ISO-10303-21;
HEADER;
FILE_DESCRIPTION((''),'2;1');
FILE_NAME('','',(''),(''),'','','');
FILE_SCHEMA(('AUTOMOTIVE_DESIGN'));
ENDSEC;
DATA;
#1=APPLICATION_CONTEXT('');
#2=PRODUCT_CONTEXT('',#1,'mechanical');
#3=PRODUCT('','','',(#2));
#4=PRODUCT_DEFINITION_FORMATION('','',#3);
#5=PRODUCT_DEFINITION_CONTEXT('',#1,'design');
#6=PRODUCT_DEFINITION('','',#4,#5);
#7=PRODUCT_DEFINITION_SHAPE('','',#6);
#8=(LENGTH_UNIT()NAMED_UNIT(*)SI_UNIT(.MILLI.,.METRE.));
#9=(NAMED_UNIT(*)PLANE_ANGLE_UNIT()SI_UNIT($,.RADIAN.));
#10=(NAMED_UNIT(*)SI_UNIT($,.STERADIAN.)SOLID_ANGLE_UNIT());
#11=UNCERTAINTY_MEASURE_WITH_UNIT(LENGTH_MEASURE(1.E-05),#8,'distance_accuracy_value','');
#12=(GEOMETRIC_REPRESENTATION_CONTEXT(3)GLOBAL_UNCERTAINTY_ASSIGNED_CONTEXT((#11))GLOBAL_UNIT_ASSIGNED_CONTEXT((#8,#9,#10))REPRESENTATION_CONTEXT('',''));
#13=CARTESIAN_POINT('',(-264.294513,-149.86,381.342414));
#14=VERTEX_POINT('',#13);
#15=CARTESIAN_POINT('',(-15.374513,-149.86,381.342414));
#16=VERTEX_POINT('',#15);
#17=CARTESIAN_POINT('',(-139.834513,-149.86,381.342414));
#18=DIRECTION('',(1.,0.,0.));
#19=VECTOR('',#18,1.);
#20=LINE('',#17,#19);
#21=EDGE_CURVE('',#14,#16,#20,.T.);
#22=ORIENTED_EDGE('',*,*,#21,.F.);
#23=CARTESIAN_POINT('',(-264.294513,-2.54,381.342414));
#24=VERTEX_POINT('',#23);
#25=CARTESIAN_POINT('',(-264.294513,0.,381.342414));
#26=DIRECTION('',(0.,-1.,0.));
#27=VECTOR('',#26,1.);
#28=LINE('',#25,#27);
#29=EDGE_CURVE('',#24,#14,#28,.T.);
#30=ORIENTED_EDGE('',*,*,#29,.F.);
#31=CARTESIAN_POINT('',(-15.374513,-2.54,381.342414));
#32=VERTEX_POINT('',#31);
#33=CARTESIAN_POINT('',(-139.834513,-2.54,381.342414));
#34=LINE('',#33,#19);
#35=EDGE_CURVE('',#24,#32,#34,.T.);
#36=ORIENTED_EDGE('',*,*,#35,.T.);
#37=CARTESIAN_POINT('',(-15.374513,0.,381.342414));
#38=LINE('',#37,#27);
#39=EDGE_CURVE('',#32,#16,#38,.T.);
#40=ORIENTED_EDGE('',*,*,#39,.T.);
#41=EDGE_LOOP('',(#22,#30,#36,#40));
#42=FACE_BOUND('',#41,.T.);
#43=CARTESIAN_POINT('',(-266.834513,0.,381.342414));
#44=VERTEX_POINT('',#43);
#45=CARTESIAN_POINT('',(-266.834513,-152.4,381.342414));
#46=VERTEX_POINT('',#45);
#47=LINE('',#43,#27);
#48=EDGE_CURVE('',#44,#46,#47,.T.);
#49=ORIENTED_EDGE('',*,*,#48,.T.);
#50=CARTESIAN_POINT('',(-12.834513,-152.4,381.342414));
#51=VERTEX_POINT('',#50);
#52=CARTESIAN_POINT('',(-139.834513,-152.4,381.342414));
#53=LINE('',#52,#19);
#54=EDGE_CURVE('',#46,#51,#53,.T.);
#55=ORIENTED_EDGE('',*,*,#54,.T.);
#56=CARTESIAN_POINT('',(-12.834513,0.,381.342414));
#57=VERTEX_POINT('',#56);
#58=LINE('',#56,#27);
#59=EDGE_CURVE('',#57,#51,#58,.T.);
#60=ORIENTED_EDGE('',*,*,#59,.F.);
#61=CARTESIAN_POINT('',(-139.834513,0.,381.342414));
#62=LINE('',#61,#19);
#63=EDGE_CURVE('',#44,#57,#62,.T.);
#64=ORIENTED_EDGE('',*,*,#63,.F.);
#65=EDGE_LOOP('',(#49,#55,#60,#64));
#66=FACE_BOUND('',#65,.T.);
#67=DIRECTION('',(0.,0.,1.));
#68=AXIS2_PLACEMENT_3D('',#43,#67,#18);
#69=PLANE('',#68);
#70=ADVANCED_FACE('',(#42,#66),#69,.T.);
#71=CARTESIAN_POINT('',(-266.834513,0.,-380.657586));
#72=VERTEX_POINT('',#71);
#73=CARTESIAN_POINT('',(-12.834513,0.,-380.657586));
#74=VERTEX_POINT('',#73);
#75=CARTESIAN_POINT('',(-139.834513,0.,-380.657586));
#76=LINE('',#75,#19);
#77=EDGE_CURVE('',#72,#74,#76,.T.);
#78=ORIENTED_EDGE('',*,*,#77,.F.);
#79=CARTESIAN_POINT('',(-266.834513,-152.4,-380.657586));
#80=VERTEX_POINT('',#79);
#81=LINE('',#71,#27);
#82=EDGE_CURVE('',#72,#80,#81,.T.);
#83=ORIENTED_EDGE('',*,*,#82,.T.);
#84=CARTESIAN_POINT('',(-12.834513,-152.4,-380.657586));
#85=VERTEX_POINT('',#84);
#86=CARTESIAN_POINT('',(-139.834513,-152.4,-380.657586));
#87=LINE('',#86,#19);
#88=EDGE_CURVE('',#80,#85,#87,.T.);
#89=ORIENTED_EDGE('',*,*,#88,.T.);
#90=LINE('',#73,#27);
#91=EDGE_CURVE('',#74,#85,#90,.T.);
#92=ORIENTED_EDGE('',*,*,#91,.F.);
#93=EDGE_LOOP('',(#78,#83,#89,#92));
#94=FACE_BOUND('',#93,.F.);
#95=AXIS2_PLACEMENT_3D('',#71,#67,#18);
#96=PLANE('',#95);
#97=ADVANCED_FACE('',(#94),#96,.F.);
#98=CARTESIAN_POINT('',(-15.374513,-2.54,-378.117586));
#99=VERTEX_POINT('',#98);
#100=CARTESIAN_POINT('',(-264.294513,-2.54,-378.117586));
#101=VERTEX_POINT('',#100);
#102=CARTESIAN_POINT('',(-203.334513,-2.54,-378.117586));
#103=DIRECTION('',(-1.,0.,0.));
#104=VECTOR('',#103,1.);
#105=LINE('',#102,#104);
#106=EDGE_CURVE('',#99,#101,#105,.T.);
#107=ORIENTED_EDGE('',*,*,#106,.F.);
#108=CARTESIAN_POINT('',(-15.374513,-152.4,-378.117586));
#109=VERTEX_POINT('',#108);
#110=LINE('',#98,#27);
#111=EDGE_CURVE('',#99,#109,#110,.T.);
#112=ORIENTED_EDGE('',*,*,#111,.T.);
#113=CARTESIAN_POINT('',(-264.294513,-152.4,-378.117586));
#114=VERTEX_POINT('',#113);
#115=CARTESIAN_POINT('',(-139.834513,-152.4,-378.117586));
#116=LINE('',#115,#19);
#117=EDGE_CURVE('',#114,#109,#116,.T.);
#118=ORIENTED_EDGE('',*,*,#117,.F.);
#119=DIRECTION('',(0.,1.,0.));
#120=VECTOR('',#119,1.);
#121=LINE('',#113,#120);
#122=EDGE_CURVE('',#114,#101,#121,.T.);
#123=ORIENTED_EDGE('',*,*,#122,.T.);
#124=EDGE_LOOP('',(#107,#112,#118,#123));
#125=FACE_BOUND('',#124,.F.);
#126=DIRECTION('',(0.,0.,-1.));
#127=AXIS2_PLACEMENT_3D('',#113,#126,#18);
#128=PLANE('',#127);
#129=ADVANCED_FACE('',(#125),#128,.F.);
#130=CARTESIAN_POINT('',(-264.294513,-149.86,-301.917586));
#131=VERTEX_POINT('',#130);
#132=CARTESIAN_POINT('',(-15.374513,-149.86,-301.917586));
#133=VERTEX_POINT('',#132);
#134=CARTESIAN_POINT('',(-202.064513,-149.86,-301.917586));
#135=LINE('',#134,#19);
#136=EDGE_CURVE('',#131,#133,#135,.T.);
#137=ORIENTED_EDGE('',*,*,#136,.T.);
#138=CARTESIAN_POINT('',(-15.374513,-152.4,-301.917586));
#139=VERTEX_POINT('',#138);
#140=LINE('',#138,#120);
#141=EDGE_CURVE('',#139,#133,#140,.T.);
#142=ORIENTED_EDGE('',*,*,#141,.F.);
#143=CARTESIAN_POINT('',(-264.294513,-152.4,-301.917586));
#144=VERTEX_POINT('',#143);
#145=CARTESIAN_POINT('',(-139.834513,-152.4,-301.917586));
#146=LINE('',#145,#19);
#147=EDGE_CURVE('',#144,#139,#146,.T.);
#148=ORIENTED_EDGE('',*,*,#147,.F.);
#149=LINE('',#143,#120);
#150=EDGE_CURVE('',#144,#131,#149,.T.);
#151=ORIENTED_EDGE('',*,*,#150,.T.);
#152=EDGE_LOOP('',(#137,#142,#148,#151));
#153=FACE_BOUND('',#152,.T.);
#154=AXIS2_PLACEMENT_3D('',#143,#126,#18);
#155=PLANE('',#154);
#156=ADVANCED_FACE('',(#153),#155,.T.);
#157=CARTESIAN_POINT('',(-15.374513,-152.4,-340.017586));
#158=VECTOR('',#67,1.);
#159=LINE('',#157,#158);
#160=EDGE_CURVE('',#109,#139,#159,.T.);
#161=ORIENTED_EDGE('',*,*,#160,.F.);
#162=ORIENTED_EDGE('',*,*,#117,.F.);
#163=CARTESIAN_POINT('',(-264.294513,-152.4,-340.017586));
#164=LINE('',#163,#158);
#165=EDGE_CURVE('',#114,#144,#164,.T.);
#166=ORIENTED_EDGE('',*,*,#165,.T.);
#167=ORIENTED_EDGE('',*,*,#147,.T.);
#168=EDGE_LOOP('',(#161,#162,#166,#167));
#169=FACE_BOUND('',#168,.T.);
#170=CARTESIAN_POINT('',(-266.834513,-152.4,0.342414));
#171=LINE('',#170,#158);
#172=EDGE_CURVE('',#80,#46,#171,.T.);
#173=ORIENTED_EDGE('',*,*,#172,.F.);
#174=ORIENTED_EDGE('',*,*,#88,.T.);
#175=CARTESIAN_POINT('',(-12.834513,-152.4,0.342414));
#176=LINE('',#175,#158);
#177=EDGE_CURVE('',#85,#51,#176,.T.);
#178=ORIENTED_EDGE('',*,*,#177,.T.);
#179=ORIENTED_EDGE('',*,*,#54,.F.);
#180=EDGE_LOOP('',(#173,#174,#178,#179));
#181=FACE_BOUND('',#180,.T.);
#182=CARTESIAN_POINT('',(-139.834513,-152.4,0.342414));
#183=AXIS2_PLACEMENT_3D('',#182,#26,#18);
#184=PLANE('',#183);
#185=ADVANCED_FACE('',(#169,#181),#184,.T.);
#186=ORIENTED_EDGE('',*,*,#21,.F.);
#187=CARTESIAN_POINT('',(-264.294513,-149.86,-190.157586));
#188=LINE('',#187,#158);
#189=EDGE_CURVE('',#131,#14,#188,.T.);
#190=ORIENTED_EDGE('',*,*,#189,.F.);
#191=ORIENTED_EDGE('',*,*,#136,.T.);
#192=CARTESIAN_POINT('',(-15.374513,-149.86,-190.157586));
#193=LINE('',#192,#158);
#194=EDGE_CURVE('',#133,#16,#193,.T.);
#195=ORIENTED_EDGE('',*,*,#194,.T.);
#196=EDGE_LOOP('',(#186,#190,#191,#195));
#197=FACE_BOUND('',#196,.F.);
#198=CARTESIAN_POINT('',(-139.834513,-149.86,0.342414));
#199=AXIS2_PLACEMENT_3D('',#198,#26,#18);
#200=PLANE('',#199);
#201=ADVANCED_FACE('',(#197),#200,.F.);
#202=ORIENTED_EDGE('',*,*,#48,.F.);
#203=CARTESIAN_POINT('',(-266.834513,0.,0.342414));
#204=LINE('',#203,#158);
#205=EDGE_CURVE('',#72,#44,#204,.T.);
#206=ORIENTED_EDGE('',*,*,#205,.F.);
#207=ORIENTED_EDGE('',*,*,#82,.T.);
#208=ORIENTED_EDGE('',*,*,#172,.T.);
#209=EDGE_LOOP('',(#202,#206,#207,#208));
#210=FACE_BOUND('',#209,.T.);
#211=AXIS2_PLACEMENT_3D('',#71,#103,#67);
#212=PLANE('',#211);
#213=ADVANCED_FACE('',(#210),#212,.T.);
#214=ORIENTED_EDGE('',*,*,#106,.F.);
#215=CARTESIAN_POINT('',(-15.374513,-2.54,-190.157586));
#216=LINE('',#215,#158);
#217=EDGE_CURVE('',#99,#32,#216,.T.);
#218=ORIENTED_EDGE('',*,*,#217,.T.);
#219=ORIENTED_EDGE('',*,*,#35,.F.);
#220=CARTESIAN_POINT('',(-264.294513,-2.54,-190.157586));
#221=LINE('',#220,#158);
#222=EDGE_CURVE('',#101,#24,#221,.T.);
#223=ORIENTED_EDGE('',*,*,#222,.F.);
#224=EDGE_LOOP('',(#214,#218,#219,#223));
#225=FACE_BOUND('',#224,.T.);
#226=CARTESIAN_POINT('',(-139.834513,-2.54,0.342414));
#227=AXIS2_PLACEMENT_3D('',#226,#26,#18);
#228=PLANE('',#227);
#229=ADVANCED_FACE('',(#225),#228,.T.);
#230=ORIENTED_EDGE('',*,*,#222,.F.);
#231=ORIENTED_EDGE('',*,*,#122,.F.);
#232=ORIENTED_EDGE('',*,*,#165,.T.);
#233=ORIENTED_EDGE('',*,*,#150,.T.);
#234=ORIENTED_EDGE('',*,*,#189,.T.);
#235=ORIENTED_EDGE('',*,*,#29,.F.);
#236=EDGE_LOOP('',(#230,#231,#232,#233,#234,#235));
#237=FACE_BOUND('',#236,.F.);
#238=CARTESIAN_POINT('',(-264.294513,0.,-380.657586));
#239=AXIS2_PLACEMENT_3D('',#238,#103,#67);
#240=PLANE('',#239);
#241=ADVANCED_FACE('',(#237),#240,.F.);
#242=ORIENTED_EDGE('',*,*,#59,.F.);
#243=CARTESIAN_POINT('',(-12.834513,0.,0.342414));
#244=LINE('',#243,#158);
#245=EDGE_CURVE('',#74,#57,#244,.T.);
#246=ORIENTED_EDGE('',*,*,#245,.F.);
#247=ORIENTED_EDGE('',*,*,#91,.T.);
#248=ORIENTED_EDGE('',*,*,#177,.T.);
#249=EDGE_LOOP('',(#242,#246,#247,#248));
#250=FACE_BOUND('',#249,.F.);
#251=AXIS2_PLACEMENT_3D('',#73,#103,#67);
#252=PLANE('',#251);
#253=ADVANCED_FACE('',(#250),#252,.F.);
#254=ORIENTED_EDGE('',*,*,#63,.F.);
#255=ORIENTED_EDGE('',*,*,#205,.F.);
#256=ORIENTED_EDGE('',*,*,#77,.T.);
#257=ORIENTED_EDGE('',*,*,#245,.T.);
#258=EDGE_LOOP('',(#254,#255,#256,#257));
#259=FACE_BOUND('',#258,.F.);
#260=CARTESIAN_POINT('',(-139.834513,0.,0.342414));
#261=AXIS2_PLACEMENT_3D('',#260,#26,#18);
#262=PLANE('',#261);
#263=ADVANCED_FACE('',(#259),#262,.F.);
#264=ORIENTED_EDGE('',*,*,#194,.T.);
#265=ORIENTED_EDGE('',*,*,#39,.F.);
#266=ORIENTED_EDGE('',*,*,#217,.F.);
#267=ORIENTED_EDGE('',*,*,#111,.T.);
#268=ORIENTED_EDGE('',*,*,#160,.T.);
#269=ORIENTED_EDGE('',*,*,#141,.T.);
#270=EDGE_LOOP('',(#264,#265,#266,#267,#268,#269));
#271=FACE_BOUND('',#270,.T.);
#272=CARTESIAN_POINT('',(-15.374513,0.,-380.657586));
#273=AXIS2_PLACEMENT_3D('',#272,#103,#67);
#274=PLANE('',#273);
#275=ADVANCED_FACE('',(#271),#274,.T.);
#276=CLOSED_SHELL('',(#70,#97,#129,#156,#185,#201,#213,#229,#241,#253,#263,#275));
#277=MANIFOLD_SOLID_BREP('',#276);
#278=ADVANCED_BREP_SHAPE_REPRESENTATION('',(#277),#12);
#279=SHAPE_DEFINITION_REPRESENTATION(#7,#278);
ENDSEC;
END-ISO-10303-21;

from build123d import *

# Parameters (mm, degrees)
F0_W     = 254
F0_H     = 762
F1_DEPTH = 152.4
F3_T     = -2.54
F4_W     = 248.92
F4_H     = 76.2
F5_DEPTH = 12.7


with BuildPart() as f1:
    # F0 (on Front) → F1 (new body)
    with BuildSketch(Plane.XZ):
        with Locations((-139.834513, 0.342414)):
            Rectangle(F0_W, F0_H)
    extrude(amount=F1_DEPTH)

    # F3
    f3_openings = [f1.faces().sort_by_distance(p)[0] for p in [
        (-139.834513, -76.2, 381.342414),
    ]]
    offset(amount=F3_T, openings=f3_openings)

    # F4 (on face) → F5 (cut)
    with BuildSketch(Plane.XZ.offset(152.4)):
        with Locations((-139.834513, -340.017586)):
            Rectangle(F4_W, F4_H)
    extrude(amount=-F5_DEPTH, mode=Mode.SUBTRACT)


solid = f1.part
